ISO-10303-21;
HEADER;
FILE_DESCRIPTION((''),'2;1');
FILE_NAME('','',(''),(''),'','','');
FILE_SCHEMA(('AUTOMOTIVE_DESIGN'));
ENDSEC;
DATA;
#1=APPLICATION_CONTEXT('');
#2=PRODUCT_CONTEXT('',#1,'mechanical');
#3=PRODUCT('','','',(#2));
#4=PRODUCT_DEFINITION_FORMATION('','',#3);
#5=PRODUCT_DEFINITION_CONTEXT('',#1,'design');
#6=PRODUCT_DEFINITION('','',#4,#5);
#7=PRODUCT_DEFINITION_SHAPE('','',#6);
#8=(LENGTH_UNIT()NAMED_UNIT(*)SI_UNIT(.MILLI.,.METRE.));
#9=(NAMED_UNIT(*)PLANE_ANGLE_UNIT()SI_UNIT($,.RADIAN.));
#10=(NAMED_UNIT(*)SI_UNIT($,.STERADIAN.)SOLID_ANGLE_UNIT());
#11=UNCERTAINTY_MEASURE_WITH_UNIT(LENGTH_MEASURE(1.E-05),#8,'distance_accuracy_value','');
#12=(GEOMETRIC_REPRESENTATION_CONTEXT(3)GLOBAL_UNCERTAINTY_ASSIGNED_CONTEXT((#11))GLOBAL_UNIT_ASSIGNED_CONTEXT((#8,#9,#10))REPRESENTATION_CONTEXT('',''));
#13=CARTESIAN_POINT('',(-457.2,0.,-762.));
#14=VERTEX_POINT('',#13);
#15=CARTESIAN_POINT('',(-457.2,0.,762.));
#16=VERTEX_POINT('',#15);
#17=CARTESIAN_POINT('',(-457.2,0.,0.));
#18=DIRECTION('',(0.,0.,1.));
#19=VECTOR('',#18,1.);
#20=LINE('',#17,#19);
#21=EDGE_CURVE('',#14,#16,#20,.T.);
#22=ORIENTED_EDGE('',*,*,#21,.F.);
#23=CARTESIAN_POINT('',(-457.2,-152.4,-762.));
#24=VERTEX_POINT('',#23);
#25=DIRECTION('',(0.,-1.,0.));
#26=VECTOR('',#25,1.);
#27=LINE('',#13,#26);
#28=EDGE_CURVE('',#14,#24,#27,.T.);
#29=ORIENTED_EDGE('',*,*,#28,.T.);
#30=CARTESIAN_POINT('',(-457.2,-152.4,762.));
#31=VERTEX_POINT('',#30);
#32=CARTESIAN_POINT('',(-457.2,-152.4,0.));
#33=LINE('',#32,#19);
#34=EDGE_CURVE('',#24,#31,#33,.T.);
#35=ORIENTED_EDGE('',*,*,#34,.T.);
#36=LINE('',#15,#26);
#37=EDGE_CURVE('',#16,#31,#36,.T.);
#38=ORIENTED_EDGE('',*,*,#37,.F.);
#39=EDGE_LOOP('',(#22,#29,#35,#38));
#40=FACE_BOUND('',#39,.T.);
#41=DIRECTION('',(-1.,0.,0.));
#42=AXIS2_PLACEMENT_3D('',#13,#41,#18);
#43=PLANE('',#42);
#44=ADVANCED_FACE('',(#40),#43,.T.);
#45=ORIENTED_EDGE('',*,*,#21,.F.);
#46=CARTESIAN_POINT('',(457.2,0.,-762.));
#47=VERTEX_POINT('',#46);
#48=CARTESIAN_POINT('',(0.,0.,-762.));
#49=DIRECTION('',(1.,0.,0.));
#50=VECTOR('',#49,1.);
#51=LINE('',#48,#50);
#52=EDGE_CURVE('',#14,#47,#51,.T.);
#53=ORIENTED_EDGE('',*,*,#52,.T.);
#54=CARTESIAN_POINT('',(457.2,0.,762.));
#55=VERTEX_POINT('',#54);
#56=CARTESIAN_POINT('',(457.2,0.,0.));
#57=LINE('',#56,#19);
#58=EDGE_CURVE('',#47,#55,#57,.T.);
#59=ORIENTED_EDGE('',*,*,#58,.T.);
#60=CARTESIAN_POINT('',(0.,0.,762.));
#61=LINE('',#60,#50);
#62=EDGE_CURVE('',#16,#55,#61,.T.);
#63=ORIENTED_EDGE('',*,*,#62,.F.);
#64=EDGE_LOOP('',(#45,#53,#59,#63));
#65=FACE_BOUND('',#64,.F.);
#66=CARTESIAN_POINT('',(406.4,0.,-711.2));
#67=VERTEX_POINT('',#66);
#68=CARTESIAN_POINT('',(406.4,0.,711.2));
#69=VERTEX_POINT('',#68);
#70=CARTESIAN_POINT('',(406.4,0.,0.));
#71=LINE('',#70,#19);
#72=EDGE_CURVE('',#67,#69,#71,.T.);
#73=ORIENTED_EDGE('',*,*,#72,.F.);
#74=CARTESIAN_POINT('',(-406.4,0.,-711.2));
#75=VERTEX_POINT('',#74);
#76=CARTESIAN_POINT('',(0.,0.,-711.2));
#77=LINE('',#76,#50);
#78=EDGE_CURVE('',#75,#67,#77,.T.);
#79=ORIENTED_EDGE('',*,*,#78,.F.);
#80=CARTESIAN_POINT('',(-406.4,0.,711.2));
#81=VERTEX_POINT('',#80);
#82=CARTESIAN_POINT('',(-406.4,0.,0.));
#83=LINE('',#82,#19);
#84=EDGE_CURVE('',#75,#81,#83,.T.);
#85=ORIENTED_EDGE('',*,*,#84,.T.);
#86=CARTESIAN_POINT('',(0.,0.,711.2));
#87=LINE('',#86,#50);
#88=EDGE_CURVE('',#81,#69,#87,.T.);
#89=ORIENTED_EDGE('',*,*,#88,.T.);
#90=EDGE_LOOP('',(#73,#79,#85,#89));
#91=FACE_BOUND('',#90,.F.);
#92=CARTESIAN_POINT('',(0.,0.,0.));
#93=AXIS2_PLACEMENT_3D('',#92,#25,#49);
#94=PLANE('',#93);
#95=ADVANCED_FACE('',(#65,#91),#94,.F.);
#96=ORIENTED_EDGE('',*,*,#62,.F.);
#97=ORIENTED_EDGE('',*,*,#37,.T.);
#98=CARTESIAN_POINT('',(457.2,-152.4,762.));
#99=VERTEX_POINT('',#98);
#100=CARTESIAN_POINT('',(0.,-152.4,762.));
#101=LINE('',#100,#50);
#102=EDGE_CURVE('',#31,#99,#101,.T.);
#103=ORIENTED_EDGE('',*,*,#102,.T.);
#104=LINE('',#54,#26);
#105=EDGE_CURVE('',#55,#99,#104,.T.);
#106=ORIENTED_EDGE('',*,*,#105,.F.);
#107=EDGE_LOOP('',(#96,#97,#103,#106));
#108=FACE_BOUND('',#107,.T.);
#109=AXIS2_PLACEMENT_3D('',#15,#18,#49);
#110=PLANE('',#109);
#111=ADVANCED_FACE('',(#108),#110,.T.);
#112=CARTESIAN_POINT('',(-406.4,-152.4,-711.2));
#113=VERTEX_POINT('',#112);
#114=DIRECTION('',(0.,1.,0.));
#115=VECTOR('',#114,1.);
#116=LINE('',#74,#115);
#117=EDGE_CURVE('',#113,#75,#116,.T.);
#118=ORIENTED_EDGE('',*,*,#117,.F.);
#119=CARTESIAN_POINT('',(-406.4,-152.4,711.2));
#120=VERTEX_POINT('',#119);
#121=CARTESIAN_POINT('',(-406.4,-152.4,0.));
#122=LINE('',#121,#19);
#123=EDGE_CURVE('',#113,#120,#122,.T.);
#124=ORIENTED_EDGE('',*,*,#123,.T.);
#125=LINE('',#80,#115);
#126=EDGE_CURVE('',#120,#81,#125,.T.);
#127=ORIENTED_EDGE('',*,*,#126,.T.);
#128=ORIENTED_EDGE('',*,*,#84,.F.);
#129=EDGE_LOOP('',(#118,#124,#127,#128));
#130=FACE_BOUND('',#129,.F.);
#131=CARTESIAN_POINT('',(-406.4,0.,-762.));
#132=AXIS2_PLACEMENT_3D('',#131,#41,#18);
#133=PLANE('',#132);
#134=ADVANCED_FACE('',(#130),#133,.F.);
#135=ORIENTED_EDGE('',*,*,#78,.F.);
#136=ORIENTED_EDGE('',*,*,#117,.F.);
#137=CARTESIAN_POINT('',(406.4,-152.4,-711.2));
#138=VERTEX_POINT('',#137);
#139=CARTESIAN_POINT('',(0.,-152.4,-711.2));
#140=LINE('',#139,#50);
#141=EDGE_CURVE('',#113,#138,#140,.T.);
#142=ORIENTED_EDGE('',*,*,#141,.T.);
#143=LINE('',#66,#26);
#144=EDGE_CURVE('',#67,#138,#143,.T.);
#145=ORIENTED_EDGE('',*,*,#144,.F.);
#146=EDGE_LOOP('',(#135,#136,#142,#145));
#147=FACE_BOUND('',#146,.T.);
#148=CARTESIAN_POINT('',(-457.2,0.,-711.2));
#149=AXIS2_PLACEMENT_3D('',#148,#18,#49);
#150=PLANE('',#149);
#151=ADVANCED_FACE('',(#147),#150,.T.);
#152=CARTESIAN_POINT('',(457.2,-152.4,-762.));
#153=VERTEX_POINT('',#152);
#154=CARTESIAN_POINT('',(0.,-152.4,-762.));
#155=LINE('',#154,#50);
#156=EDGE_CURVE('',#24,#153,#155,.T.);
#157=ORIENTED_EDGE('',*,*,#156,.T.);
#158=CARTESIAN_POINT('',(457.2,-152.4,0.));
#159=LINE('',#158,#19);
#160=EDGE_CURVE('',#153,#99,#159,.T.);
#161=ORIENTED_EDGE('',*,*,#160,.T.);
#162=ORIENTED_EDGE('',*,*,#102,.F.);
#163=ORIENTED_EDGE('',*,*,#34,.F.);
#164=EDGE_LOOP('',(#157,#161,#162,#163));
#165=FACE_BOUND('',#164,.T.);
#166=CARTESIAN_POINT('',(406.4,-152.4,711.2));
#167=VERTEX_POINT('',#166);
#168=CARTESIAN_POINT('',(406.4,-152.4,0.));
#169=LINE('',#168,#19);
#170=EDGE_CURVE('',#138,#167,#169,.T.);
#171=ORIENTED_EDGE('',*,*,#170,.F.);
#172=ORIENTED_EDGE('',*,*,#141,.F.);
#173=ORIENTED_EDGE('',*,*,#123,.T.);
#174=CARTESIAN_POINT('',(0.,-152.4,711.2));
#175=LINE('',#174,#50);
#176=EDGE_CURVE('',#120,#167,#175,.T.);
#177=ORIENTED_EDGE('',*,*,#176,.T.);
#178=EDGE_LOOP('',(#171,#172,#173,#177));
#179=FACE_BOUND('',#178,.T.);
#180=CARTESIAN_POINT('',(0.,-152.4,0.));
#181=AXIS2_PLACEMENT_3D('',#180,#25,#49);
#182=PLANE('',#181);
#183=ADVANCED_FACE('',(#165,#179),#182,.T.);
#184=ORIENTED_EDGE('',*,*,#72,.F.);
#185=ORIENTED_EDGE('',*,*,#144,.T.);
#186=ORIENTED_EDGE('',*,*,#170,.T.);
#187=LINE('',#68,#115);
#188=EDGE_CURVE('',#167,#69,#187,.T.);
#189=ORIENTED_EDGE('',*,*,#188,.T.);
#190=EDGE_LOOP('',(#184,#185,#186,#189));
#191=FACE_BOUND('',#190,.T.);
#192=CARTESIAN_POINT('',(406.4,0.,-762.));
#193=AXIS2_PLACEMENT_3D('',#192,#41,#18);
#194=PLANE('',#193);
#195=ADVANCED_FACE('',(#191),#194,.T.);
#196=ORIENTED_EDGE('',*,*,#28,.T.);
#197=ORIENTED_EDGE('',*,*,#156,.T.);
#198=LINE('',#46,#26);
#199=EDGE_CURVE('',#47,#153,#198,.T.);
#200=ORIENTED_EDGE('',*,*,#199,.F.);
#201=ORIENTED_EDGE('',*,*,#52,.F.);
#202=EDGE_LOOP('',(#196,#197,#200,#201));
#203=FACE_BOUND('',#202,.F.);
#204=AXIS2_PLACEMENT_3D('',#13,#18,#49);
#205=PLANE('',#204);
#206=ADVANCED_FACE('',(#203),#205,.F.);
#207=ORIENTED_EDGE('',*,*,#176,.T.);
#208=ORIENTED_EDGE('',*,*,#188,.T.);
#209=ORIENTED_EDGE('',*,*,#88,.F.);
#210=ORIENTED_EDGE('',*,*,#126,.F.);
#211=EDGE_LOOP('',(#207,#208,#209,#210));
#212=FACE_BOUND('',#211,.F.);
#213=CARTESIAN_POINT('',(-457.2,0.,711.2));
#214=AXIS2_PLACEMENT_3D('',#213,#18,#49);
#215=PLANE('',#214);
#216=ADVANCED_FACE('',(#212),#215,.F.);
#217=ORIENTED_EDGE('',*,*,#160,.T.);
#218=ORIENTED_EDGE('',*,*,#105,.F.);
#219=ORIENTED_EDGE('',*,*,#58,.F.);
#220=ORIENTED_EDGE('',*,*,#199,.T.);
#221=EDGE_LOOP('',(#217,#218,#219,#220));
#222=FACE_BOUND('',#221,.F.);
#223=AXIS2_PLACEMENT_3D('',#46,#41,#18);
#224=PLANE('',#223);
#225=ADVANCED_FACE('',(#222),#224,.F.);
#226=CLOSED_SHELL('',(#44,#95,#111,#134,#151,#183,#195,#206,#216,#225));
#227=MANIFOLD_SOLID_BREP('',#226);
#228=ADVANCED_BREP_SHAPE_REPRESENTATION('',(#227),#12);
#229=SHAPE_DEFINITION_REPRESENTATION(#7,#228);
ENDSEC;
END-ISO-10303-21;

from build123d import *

# Parameters (mm, degrees)
F0_W     = 914.4
F0_H     = 1524
F1_DEPTH = 152.4
F2_T     = -50.8


with BuildPart() as f1:
    # F0 (on Front) → F1 (new body)
    with BuildSketch(Plane.XZ):
        Rectangle(F0_W, F0_H)
    extrude(amount=F1_DEPTH)

    # F2
    f2_openings = [f1.faces().sort_by_distance(p)[0] for p in [
        (0, -152.4, 0),
        (0, 0, 0),
    ]]
    offset(amount=F2_T, openings=f2_openings)


solid = f1.part
